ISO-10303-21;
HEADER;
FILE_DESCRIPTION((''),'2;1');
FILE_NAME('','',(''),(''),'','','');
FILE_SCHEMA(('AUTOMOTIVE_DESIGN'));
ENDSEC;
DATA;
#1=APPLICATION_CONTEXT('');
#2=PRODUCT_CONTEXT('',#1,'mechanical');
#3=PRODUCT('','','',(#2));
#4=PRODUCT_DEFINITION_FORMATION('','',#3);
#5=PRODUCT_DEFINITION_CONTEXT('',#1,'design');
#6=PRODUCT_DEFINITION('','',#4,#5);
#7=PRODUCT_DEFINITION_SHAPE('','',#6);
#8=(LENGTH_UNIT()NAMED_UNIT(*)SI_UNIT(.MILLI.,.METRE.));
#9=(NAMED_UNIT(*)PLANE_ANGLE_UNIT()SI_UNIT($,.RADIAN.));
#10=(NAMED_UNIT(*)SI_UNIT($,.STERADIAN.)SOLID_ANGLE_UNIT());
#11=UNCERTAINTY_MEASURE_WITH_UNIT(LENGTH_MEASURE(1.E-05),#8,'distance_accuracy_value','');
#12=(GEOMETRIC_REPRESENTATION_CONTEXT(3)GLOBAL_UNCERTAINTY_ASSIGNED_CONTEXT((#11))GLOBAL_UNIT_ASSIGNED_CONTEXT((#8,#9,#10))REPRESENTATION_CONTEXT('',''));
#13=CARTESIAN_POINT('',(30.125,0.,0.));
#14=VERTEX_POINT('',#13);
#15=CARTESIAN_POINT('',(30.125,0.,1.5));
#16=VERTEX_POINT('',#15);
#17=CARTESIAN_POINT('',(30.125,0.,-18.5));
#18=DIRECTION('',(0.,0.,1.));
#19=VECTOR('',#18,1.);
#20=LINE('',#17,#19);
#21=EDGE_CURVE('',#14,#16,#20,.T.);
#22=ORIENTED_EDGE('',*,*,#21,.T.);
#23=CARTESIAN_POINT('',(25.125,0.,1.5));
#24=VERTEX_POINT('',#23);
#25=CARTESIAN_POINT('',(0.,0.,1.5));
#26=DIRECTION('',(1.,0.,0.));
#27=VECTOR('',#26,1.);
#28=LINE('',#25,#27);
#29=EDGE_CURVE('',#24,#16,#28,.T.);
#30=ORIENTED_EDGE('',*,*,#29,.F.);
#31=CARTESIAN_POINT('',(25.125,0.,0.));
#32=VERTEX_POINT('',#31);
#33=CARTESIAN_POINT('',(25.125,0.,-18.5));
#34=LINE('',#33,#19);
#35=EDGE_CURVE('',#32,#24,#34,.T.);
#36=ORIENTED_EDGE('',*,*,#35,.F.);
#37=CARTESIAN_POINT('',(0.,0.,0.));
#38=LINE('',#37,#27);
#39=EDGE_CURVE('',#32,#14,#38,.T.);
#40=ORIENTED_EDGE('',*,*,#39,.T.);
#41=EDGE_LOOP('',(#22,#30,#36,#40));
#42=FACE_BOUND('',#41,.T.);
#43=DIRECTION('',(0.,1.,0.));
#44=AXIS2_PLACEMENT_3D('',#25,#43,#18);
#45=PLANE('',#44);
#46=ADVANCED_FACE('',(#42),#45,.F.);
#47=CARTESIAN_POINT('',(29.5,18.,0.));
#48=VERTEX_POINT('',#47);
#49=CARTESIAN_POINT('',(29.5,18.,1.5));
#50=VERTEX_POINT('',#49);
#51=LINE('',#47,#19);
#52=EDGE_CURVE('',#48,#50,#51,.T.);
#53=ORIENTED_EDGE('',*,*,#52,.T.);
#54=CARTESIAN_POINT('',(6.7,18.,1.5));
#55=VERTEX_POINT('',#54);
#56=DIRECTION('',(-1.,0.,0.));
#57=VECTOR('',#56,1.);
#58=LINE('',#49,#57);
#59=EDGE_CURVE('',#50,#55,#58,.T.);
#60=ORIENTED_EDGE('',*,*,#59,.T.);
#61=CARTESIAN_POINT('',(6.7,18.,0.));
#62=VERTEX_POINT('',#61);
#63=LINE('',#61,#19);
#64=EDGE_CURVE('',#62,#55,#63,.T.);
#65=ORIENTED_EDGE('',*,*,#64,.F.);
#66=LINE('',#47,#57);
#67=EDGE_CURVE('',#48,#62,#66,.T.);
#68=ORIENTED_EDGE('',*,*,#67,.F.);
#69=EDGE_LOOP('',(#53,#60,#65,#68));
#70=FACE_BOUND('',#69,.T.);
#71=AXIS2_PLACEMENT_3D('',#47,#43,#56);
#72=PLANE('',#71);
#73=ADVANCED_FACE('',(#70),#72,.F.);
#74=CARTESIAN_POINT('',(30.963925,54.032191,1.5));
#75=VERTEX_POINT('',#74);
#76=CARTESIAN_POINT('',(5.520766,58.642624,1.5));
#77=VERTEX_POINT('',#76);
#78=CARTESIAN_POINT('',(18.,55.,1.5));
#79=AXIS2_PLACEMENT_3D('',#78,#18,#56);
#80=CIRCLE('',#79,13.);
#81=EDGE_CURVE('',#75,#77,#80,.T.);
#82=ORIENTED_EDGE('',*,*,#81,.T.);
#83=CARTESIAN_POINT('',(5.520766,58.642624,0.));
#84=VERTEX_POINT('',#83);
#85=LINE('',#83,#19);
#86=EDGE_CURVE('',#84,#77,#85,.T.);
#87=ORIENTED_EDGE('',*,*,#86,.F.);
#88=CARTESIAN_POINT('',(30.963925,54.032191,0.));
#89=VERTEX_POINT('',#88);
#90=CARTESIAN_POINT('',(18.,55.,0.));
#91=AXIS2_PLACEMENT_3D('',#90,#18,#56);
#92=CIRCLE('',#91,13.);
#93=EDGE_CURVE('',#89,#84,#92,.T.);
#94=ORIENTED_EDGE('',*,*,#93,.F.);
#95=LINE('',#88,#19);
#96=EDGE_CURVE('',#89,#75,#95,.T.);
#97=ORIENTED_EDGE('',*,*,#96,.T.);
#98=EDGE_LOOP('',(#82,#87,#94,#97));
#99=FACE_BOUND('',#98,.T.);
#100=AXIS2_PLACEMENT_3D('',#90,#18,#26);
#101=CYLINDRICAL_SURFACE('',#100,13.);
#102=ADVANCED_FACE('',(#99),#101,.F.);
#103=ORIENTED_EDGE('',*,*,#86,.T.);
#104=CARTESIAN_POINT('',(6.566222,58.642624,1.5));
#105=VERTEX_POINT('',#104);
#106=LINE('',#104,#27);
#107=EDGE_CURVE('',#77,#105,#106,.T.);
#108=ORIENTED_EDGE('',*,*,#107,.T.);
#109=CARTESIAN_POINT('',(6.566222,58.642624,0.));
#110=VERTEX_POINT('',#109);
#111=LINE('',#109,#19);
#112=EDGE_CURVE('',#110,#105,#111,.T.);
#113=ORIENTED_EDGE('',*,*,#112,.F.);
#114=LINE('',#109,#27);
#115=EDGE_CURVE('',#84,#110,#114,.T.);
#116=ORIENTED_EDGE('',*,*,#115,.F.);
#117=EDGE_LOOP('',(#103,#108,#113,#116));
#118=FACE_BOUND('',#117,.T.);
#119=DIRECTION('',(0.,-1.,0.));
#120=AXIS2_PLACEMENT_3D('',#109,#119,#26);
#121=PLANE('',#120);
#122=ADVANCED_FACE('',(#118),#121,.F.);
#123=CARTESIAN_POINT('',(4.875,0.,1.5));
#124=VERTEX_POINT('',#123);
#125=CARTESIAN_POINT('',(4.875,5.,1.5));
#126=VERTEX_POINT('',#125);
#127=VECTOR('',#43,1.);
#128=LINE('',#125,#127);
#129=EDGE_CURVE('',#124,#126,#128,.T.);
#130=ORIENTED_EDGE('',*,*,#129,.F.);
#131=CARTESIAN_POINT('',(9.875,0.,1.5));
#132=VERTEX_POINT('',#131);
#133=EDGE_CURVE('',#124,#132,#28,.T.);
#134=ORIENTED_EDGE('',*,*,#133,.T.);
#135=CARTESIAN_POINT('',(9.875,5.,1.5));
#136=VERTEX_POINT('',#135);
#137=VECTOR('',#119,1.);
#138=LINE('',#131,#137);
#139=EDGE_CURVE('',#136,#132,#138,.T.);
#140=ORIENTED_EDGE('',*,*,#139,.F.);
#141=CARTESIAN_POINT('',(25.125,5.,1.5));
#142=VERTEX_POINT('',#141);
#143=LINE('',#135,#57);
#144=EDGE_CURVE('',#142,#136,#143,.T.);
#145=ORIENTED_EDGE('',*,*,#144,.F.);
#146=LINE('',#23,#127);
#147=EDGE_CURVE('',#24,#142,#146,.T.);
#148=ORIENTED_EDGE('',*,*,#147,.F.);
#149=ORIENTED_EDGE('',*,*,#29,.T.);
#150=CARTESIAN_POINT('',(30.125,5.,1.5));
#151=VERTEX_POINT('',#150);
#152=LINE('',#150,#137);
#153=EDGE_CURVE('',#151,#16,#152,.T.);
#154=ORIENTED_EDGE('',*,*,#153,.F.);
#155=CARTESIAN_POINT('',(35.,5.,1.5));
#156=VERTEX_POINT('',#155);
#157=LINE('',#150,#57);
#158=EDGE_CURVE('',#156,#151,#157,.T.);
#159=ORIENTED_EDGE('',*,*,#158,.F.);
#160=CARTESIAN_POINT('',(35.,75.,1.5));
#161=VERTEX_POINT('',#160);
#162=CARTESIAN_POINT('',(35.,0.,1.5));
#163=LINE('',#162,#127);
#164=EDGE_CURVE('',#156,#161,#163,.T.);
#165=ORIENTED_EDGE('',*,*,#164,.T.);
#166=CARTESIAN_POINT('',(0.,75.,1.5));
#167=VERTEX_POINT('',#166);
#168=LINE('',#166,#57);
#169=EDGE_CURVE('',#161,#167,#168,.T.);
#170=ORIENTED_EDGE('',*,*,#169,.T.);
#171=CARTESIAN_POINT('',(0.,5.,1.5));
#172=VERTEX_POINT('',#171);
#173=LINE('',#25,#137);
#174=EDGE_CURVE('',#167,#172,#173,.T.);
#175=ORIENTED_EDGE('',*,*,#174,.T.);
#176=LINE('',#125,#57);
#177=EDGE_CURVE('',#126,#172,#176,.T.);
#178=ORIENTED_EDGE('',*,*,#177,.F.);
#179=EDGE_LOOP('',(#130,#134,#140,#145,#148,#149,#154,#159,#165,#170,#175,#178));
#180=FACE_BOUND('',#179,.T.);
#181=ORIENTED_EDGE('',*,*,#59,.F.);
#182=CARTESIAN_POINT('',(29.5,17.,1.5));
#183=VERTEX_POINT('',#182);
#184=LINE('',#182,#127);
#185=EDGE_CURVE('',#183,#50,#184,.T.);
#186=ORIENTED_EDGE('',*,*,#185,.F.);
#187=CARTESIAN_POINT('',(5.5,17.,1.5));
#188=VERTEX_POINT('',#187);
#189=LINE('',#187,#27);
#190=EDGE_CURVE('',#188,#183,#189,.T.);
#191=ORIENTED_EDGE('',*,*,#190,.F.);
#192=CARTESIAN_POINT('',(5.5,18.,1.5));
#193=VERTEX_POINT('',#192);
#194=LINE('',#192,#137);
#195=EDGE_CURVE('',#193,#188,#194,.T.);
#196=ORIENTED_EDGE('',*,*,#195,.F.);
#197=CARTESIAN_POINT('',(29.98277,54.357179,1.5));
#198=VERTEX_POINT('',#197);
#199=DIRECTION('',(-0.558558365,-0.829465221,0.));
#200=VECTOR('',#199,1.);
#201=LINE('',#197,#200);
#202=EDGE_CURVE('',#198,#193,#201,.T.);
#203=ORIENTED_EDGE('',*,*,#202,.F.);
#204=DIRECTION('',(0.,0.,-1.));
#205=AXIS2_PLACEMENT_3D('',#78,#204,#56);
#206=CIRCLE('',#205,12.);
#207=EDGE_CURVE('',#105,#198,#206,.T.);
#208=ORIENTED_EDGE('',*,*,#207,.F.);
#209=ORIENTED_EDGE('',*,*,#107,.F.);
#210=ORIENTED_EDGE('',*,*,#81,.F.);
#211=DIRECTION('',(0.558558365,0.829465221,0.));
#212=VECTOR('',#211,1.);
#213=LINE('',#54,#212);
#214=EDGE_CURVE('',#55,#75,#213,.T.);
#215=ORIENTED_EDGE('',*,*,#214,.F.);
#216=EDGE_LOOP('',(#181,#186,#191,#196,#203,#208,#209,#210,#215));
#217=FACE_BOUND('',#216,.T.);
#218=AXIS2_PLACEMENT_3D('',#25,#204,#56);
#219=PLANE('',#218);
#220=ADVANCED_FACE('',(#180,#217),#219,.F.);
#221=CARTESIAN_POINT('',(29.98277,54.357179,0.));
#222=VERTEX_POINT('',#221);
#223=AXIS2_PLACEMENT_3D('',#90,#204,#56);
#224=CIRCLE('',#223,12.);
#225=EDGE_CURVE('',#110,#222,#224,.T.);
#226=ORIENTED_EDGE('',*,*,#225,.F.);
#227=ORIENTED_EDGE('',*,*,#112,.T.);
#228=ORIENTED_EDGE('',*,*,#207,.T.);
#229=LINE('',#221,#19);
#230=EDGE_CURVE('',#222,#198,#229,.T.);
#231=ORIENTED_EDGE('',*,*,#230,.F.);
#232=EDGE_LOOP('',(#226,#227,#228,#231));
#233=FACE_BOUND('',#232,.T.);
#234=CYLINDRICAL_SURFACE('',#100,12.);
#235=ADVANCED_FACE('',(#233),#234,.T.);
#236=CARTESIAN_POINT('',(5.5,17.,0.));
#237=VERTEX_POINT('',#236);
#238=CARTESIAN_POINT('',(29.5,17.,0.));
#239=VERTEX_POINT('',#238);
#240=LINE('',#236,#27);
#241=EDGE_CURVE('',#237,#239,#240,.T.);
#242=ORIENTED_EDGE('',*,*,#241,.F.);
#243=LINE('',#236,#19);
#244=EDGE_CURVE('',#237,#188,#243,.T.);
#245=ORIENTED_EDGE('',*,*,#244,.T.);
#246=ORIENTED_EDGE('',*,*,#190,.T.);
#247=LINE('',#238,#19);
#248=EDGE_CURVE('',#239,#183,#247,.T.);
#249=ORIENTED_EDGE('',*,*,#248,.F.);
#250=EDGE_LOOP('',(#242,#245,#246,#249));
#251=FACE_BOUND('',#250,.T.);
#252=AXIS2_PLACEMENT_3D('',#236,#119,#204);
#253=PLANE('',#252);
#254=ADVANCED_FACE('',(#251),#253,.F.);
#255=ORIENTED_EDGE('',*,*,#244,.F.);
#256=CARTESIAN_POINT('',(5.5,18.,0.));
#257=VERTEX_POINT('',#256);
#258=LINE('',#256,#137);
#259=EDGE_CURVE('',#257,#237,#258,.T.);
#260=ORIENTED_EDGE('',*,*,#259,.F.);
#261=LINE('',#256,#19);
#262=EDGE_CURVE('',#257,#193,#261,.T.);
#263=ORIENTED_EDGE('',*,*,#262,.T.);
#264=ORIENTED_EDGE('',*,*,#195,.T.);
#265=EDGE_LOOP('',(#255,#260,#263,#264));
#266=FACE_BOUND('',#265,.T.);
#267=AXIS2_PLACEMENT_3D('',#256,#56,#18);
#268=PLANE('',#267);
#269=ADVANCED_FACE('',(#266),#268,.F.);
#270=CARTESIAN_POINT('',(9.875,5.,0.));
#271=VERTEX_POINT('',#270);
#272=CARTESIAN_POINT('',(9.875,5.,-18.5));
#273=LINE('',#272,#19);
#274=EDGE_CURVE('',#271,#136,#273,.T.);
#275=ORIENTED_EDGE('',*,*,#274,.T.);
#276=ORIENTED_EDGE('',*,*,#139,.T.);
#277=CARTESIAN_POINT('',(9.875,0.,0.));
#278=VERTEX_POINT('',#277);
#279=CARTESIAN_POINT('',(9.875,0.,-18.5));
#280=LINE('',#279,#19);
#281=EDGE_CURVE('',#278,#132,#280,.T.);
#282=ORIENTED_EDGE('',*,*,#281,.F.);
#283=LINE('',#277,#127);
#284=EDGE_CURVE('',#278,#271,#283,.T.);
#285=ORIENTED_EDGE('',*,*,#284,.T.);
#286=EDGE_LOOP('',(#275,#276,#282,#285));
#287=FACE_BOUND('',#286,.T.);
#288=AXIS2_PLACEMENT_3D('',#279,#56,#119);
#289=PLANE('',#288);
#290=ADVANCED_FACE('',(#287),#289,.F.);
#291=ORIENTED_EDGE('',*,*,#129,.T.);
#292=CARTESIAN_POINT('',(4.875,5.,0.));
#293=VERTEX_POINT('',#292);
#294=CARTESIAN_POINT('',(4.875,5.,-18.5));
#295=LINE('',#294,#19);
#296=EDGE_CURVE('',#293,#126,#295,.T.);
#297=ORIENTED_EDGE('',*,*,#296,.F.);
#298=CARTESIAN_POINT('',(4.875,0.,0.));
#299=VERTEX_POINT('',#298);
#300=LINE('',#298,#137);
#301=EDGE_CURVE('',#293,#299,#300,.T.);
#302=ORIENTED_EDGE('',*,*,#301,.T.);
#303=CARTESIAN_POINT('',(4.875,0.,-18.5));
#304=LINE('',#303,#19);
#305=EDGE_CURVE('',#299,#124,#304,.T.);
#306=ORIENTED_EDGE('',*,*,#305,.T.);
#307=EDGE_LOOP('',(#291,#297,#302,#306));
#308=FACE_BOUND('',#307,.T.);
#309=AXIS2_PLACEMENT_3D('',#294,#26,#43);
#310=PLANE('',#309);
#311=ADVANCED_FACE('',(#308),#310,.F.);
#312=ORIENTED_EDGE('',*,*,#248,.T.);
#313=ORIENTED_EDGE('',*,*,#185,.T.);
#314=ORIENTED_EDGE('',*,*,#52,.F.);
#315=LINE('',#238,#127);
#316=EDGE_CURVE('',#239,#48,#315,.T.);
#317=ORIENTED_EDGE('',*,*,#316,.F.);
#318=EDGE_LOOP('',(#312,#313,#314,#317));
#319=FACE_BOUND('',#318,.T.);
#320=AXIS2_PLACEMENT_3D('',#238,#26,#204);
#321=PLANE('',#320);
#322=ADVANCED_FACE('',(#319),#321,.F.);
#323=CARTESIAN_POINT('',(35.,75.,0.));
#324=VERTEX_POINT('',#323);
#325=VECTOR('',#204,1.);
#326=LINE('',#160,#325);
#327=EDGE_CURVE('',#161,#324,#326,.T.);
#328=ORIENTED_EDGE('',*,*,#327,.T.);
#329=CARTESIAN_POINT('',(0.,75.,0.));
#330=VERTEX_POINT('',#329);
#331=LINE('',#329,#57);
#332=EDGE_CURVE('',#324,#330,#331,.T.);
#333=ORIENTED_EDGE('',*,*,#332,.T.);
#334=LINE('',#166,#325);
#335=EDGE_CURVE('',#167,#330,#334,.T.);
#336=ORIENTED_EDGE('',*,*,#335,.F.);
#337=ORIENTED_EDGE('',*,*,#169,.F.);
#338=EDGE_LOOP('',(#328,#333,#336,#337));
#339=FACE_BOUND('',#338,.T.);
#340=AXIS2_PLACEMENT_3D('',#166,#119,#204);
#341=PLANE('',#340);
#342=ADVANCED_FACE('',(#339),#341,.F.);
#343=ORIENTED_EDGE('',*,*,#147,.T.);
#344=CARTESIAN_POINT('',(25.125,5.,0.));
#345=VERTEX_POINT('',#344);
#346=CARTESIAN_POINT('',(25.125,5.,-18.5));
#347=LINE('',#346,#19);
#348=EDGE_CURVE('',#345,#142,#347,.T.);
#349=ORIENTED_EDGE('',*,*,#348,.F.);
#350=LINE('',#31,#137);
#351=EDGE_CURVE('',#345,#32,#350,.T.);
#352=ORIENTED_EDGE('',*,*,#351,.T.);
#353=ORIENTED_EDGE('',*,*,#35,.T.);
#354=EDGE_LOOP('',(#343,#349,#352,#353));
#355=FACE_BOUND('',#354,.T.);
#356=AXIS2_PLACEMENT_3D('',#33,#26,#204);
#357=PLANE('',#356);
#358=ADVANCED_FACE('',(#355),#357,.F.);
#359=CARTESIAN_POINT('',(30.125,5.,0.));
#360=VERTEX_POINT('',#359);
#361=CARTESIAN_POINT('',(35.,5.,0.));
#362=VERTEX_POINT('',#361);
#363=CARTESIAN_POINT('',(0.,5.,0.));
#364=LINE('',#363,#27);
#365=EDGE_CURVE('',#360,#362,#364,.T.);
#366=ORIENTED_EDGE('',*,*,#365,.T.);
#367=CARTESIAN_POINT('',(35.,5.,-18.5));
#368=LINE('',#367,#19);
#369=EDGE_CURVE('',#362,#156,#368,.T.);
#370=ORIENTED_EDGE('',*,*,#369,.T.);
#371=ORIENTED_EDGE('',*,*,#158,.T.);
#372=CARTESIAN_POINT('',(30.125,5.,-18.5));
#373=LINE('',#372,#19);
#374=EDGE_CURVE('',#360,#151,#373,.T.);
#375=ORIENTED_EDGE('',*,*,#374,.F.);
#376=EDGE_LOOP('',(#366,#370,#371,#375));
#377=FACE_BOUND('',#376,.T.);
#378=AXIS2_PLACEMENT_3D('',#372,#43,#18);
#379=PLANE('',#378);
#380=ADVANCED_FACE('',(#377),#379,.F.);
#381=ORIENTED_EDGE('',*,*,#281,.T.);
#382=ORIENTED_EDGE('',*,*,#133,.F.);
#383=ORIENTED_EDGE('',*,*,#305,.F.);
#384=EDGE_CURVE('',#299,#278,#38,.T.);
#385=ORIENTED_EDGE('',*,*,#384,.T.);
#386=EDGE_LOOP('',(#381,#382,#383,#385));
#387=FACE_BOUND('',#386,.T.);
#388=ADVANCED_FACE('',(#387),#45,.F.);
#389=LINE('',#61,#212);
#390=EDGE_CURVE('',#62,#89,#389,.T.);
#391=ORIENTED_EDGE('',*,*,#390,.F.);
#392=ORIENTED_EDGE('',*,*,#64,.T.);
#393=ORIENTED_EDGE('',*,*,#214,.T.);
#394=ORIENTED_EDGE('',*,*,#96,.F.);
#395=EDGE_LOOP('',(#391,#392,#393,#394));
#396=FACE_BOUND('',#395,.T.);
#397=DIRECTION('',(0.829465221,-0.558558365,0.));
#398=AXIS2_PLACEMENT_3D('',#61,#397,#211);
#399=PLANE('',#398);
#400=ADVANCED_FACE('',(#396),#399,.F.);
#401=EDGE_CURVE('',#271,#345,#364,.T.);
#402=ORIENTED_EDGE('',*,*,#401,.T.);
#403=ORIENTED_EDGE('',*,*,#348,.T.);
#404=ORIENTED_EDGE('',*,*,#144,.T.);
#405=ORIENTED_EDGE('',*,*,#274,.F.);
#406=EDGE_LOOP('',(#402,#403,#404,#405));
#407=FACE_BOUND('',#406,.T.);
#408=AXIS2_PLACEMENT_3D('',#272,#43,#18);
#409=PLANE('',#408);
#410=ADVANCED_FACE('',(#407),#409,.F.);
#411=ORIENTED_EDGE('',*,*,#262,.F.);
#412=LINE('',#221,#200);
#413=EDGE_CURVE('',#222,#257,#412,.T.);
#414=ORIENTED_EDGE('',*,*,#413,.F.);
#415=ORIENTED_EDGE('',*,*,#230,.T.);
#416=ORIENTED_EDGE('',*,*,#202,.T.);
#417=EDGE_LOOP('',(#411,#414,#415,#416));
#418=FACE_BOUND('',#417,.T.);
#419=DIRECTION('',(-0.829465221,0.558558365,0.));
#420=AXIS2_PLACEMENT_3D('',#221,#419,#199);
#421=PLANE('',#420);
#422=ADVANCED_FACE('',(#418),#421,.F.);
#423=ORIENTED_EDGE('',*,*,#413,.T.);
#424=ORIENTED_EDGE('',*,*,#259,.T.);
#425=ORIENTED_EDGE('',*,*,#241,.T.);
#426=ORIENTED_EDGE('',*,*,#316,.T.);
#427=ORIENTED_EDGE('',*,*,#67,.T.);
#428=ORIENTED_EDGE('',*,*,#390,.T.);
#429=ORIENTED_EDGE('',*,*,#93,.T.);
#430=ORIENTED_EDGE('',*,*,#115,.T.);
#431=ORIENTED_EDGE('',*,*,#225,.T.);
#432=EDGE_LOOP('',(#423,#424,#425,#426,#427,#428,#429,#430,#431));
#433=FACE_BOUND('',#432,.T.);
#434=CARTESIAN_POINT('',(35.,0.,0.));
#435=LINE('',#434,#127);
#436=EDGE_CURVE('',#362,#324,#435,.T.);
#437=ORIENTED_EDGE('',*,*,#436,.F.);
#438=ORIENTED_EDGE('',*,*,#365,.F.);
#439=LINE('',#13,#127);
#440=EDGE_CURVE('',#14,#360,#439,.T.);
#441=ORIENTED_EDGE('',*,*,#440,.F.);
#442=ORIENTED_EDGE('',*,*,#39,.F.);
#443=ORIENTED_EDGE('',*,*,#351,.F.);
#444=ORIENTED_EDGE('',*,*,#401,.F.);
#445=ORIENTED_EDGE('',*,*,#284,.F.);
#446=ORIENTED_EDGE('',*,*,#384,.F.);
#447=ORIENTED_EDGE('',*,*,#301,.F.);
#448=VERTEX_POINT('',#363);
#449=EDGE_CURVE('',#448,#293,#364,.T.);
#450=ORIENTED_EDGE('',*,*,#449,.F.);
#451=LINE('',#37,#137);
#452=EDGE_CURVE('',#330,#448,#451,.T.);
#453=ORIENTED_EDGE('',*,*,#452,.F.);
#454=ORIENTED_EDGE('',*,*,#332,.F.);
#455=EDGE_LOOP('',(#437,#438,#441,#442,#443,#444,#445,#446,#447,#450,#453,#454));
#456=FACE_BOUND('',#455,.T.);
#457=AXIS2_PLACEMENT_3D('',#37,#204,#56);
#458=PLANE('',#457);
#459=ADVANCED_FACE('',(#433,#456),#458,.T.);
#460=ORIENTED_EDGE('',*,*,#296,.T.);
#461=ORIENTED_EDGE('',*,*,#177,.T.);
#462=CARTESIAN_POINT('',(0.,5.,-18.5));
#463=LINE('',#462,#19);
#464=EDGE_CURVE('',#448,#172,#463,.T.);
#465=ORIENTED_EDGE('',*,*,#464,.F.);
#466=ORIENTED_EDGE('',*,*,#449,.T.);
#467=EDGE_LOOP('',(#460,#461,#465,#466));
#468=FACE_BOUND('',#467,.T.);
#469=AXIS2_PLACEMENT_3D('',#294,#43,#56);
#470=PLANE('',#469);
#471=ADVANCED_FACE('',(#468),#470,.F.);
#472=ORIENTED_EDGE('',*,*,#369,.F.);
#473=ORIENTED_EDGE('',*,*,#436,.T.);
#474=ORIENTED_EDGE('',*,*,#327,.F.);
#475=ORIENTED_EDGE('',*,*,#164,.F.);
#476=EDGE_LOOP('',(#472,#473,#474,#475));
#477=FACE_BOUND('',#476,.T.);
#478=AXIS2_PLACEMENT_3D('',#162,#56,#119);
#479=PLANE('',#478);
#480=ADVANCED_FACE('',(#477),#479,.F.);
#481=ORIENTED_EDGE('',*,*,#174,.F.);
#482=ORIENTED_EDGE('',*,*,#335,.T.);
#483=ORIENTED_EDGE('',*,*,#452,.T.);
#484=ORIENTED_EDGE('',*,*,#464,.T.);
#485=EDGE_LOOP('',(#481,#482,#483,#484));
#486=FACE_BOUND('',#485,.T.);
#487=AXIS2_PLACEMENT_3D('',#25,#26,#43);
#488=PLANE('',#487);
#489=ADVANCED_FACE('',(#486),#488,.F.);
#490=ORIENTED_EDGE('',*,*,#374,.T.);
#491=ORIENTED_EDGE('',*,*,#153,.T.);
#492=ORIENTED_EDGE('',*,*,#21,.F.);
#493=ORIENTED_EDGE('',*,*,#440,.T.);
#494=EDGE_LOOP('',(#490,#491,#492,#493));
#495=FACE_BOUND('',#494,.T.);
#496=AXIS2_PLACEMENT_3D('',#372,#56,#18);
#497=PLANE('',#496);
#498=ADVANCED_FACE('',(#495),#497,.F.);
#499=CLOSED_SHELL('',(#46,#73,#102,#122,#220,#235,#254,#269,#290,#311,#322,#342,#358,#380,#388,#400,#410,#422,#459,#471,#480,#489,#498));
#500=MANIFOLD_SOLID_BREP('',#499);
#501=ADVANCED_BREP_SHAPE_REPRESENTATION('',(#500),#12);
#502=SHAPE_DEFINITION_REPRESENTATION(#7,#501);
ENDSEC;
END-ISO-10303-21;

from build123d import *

# Parameters (mm, degrees)
SKIZZE1_W                        = 35
SKIZZE1_H                        = 75
AUFSATZ_LINEAR_AUSTRAGEN1_DEPTH  = 1.5
SKIZZE3_W                        = 15.25
SKIZZE3_H                        = 5
SKIZZE3_W_2                      = 4.875
SCHNITT_LINEAR_AUSTRAGEN12_DEPTH = 20
SCHNITT_LINEAR_AUSTRAGEN14_DEPTH = 1.5


with BuildPart() as part:
    # Skizze1 → Aufsatz-Linear austragen1 (new body)
    with BuildSketch(Plane.XY):
        with Locations((17.5, 37.5)):
            Rectangle(SKIZZE1_W, SKIZZE1_H)
    extrude(amount=AUFSATZ_LINEAR_AUSTRAGEN1_DEPTH)

    # Skizze3 → Schnitt-Linear austragen12 (cut)
    with BuildSketch(Plane.XY.offset(1.5)):
        with Locations((17.5, 2.5)):
            Rectangle(SKIZZE3_W, SKIZZE3_H)
        with Locations((32.5625, 2.5)):
            Rectangle(SKIZZE3_W_2, SKIZZE3_H)
        with Locations((2.4375, 2.5)):
            Rectangle(SKIZZE3_W_2, SKIZZE3_H)
    extrude(amount=-SCHNITT_LINEAR_AUSTRAGEN12_DEPTH, mode=Mode.SUBTRACT)

    # Skizze7 → Schnitt-Linear austragen14 (cut)
    with BuildSketch(Plane.XY.offset(1.5)):
        with BuildLine():
            Line((29.982770168, 54.357178796), (5.5, 18))
            Line((5.5, 18), (5.5, 17))
            Line((5.5, 17), (29.5, 17))
            Line((29.5, 17), (29.5, 18))
            Line((29.5, 18), (6.7, 18))
            Line((6.7, 18), (30.963924784, 54.032191031))
            ThreePointArc((30.963924784, 54.032191031), (20.317920223, 67.791686591), (5.520765623, 58.642623967))
            Line((5.520765623, 58.642623967), (6.566221507, 58.642623967))
            ThreePointArc((6.566221507, 58.642623967), (20.16023333, 66.803956623), (29.982770168, 54.357178796))
        make_face()
    extrude(amount=-SCHNITT_LINEAR_AUSTRAGEN14_DEPTH, mode=Mode.SUBTRACT)


solid = part.part
